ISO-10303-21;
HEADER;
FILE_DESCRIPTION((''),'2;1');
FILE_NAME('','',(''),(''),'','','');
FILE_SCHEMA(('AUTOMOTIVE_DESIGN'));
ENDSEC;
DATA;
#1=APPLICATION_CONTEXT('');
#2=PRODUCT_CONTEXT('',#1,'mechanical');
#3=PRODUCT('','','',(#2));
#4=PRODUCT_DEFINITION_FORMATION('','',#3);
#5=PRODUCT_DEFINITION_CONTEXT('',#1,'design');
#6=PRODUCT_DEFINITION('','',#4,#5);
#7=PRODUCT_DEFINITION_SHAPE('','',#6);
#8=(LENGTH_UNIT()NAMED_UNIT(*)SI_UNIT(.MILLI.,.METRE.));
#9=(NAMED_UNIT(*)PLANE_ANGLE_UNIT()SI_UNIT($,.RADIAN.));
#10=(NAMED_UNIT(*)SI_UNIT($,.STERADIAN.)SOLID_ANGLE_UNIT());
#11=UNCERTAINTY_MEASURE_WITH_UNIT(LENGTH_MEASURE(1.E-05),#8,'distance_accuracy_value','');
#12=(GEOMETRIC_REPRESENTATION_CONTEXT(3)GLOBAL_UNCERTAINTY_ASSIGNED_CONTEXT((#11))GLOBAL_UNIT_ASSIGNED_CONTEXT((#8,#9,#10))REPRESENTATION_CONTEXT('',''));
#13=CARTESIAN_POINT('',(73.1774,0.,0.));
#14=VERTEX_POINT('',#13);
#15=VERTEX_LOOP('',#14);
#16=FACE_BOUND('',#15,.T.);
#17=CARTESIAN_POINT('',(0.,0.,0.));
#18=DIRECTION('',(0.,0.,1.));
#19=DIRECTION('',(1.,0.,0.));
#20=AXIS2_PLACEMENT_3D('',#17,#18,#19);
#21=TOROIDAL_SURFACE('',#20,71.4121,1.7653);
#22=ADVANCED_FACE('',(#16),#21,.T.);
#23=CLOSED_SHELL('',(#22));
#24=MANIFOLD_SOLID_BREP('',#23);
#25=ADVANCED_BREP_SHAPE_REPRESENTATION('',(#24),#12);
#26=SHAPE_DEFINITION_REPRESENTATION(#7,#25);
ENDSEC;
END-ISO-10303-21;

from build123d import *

# Parameters (mm, degrees)
SKETCH2_R = 1.7653


with BuildPart() as part:
    # Sketch2 → Revolve1 (revolve)
    with BuildSketch(Plane(origin=(0, 0, 0), x_dir=(1, 0, 0), z_dir=(0, 1, 0)), mode=Mode.PRIVATE) as revolve1_sk:
        with Locations((-71.4121, 0)):
            Circle(SKETCH2_R)
    revolve(revolve1_sk.sketch.rotate(Axis((0, 0, 1.7653), (0, 0, -1)), 180), axis=Axis((0, 0, 1.7653), (0, 0, -1)))


solid = part.part
